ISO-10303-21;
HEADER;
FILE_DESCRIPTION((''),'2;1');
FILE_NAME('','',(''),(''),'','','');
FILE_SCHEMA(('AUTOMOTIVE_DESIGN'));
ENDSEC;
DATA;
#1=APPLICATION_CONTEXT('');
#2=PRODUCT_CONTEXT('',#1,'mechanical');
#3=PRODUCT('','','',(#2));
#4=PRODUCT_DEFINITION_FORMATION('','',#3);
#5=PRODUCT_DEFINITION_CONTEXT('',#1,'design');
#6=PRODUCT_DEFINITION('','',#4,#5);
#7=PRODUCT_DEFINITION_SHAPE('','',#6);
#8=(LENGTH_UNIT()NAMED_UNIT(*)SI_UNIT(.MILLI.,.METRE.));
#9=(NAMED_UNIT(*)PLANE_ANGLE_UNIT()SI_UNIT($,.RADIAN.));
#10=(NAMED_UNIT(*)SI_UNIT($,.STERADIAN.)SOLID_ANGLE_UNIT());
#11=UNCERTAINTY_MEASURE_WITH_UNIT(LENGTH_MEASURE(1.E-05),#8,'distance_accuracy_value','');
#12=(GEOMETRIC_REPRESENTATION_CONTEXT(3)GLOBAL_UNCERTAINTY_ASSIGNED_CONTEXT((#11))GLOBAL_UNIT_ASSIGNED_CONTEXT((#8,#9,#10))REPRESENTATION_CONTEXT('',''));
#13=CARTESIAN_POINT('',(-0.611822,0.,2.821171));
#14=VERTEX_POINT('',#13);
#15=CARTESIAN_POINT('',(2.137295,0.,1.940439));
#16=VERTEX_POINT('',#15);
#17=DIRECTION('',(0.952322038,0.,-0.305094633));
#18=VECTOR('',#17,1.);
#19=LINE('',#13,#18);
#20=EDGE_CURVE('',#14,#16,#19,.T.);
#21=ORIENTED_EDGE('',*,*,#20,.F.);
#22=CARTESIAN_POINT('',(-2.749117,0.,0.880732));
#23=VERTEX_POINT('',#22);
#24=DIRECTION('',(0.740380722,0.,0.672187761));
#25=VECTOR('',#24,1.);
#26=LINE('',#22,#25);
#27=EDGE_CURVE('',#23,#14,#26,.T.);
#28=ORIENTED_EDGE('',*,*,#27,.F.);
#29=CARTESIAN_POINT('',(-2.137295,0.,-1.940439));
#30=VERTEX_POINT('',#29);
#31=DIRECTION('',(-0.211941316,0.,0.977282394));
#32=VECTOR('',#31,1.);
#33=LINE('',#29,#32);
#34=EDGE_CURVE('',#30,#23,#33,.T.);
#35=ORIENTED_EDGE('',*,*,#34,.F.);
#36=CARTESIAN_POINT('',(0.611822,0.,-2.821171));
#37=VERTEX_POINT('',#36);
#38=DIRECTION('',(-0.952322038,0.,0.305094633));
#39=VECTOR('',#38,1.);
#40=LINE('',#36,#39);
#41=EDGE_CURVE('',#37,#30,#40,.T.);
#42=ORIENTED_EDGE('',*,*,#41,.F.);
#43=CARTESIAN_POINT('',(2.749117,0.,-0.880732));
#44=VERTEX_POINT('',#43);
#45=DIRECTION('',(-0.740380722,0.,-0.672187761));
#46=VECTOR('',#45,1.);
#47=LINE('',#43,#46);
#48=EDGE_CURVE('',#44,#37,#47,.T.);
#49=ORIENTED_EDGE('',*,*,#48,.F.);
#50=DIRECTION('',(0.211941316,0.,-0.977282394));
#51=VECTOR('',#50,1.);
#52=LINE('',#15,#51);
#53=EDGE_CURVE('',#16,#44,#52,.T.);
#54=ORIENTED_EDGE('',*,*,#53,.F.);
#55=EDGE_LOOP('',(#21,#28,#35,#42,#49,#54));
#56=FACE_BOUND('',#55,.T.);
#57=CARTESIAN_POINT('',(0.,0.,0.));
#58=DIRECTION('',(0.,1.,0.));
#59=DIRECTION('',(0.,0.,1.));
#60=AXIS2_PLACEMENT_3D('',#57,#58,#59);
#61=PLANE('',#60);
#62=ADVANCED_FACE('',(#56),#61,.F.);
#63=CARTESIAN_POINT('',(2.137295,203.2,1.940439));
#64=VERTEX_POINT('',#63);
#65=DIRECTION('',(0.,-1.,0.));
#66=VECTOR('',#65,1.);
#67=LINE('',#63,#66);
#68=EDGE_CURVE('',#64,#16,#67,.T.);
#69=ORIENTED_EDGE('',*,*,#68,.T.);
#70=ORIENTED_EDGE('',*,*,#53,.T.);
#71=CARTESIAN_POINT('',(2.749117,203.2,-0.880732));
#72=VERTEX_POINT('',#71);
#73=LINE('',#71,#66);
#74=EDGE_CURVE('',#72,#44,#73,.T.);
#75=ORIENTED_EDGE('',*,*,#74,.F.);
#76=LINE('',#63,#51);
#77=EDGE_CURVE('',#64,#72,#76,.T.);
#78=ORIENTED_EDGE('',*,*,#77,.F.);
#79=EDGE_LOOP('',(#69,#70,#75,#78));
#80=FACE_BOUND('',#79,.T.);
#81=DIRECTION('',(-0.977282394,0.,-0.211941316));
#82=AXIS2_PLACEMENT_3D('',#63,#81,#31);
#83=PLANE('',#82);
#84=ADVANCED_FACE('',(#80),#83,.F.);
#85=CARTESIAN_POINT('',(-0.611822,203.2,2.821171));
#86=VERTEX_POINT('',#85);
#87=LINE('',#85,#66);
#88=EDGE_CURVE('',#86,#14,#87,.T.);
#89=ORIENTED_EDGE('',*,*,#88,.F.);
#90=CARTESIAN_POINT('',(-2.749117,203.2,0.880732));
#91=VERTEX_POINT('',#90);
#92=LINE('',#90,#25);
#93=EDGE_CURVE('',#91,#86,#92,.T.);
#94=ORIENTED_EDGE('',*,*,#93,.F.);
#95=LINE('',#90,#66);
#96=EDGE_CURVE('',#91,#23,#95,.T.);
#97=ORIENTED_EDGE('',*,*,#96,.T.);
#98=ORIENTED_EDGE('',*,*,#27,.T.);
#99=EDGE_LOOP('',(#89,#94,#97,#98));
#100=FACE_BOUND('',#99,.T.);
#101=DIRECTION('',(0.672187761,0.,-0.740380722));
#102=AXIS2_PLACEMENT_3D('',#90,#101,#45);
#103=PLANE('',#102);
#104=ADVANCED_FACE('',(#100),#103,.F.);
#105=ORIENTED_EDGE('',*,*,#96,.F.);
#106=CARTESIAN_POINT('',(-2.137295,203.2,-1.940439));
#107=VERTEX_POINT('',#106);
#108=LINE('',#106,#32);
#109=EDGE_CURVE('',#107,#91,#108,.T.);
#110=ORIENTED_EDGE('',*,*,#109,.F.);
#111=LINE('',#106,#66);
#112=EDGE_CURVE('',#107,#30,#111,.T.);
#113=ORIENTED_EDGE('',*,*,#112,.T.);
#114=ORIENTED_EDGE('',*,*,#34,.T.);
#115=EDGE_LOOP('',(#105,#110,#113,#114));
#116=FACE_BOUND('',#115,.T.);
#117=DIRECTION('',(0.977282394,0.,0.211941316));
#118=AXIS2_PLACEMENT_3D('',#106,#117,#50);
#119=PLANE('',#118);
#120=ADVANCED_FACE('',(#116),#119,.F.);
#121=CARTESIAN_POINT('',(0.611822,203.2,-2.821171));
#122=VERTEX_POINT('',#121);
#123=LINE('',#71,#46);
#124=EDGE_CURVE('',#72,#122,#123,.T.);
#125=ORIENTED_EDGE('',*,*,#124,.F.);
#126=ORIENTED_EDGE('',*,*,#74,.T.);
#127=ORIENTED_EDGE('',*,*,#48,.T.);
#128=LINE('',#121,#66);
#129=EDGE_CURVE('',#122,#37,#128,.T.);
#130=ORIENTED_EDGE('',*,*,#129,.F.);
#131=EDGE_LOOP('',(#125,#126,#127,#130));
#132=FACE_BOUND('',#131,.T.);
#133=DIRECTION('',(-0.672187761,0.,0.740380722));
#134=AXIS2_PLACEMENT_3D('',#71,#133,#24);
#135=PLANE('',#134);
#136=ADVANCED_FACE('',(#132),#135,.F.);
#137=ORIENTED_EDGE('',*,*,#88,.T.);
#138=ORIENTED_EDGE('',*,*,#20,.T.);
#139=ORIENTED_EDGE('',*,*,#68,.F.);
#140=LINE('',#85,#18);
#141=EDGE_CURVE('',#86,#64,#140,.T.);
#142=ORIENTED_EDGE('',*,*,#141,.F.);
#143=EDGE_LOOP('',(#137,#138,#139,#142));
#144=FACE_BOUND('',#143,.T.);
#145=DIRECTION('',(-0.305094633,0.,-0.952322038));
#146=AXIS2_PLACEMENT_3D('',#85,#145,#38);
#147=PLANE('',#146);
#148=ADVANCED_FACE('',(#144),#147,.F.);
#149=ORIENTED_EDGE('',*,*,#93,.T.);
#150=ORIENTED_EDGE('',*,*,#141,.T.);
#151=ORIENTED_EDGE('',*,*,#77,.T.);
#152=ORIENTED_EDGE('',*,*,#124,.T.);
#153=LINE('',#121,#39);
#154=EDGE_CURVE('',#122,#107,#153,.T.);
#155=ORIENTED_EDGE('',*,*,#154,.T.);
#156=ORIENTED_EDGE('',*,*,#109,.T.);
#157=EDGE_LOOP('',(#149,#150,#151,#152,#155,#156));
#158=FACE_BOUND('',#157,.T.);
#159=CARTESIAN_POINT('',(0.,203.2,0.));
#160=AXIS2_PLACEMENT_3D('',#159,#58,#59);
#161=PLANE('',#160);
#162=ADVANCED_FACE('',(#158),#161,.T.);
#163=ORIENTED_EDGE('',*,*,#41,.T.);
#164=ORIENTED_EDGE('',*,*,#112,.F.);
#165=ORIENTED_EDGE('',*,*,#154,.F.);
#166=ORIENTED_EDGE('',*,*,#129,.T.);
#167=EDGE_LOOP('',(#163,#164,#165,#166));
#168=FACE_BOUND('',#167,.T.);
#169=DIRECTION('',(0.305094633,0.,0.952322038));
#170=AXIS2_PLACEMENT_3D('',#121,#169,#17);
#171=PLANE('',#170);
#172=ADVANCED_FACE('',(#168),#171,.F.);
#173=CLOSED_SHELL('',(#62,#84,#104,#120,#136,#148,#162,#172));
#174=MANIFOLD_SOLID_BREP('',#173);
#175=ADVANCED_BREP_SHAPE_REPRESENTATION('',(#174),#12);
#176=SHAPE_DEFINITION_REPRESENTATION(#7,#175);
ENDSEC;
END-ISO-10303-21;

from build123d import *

# Parameters (mm, degrees)
BOSS_EXTRUDE1_DEPTH = 203.2


with BuildPart() as part:
    # Sketch2 → Boss-Extrude1 (new body)
    with BuildSketch(Plane(origin=(0, 0, 0), x_dir=(1, 0, 0), z_dir=(0, 1, 0))):
        Polygon((2.137295047, -1.940438924), (2.749116926, 0.880732344), (0.611821879, 2.821171268), (-2.137295047, 1.940438924), (-2.749116926, -0.880732344), (-0.611821879, -2.821171268), align=None)
    extrude(amount=BOSS_EXTRUDE1_DEPTH)


solid = part.part
